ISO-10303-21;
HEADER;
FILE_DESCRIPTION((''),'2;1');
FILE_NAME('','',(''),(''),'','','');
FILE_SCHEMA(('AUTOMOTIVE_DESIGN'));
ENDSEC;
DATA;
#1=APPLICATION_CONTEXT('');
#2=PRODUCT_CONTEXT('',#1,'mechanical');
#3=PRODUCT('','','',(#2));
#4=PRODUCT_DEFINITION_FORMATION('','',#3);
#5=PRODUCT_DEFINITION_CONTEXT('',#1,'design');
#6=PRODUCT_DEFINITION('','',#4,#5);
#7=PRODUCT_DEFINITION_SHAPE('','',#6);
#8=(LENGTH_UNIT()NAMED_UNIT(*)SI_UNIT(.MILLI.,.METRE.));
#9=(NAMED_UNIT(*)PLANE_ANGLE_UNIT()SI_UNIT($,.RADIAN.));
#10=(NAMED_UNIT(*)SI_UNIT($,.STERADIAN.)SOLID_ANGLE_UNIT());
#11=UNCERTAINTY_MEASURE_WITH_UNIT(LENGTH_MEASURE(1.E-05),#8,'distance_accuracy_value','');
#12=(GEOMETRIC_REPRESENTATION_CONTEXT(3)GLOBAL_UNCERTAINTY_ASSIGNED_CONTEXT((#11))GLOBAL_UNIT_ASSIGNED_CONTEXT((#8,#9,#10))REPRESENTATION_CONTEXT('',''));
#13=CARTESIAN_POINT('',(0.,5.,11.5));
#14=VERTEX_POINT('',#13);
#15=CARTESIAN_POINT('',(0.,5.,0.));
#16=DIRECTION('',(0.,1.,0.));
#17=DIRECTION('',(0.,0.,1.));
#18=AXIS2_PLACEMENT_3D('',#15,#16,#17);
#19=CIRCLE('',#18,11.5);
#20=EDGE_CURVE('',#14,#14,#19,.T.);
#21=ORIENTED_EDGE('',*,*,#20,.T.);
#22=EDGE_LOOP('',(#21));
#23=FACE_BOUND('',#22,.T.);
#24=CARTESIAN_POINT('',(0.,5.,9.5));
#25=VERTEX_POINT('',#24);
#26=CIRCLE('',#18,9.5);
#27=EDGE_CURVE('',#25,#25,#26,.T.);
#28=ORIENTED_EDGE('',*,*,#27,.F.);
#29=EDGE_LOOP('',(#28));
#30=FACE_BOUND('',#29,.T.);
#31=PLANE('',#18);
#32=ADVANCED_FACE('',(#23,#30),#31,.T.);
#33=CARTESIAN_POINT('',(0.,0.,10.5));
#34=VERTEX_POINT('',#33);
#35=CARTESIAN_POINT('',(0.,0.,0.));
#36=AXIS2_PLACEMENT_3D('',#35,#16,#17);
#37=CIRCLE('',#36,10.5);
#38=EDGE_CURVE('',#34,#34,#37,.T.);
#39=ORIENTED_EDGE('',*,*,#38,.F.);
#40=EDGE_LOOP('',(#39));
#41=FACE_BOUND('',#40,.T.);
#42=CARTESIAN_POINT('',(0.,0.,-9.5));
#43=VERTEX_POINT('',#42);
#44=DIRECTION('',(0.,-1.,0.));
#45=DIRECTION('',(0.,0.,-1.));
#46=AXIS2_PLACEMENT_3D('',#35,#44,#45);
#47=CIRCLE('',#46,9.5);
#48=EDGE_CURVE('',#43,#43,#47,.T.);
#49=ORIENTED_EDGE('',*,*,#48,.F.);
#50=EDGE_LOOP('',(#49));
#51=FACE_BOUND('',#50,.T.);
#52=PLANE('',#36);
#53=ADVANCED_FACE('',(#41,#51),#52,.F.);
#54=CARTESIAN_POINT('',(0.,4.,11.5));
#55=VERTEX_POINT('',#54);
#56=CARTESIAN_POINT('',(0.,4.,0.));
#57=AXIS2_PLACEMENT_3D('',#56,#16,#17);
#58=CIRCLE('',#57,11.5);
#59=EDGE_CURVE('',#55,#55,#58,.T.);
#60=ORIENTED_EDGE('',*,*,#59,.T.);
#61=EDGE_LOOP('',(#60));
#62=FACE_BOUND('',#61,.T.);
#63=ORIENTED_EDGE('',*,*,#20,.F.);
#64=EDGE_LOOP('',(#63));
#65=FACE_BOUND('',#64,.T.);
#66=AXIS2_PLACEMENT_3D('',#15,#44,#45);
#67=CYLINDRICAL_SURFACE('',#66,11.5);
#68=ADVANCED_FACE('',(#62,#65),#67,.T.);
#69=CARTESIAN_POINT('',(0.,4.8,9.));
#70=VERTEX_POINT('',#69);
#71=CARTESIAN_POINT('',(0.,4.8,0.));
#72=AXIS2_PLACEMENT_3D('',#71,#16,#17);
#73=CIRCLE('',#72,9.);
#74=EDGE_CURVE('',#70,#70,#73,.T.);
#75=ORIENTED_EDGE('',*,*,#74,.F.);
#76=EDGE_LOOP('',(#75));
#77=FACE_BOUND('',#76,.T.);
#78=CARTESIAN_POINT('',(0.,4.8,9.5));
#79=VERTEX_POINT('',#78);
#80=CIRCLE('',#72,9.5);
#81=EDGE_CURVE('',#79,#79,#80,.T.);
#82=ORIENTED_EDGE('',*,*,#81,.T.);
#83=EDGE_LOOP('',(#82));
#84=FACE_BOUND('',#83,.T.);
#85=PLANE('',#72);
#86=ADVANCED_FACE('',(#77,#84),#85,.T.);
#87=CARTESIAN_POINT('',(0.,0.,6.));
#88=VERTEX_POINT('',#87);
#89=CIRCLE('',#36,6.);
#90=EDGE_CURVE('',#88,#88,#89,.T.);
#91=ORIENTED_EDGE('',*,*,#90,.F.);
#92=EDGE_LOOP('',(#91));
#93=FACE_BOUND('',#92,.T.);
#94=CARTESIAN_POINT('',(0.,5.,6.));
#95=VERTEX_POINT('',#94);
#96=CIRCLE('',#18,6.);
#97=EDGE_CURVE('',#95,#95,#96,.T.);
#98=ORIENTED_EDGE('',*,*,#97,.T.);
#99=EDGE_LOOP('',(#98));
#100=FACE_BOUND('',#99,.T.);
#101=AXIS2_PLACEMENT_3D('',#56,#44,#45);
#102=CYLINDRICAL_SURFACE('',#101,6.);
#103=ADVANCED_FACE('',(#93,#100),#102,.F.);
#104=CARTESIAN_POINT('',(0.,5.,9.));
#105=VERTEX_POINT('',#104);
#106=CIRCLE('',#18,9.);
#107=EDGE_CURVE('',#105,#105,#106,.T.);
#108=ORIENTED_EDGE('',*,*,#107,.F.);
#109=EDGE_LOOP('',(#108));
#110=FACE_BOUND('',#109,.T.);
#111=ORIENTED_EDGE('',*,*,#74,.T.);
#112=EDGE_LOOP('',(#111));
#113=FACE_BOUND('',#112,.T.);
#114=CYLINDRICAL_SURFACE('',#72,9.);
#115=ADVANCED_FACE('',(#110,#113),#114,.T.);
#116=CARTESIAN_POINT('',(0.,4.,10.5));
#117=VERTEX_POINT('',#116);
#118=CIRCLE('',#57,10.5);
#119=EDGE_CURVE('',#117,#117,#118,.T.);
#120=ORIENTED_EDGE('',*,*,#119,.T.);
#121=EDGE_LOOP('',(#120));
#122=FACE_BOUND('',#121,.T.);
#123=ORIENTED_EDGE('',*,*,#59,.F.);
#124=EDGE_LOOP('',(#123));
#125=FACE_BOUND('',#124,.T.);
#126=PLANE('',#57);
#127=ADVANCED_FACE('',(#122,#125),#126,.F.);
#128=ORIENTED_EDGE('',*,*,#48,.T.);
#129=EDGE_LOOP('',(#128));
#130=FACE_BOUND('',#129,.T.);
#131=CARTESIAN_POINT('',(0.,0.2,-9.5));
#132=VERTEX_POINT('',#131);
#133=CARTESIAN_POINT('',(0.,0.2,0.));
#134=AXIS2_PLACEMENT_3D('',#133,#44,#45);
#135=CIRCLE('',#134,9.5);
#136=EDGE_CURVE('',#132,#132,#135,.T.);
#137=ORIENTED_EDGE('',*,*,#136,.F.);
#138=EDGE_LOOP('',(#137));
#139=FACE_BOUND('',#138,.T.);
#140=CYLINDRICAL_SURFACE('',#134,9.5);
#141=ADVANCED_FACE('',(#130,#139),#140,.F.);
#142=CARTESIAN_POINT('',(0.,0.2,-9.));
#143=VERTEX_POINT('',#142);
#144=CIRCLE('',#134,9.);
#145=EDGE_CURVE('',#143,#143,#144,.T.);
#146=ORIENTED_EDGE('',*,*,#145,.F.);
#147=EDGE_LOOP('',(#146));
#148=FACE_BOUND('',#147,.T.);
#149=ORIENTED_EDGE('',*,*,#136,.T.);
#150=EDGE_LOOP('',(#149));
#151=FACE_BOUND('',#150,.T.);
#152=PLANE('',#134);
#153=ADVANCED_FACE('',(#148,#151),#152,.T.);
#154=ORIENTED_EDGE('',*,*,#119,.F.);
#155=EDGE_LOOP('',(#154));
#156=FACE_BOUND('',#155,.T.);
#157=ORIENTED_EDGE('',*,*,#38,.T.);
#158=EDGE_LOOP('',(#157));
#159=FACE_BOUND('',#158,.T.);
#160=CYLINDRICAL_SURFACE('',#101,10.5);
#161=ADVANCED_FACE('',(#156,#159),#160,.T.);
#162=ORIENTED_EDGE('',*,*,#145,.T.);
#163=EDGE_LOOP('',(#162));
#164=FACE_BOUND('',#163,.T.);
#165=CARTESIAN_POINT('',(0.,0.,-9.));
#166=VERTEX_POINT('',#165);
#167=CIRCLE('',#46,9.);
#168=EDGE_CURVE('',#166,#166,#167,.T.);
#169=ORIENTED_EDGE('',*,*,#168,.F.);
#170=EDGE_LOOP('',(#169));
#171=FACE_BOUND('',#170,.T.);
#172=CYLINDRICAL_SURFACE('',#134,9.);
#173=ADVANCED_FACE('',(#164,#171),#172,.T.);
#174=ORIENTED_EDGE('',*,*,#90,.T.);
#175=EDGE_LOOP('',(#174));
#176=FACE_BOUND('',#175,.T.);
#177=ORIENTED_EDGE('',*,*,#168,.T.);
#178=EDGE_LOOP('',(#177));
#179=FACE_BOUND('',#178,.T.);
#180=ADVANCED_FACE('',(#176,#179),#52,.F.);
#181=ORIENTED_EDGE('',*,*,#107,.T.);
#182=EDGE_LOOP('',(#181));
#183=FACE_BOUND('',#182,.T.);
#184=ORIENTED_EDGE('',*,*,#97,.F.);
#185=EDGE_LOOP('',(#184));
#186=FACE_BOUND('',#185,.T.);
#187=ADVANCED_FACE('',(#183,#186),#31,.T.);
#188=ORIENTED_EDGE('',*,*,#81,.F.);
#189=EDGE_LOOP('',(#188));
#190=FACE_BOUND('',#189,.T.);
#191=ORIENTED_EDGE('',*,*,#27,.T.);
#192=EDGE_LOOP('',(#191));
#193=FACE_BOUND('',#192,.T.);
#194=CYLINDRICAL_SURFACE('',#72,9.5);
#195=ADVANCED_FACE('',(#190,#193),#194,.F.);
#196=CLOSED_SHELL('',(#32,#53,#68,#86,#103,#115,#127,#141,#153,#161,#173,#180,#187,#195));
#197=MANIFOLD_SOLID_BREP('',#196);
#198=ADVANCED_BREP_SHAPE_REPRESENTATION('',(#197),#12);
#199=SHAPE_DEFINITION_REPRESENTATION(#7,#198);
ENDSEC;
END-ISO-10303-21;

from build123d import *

# Parameters (mm, degrees)
SKETCH_1_R          = 10.5
SKETCH_1_R_2        = 6
EXTRUDE_1_DEPTH     = 4
SKETCH_2_R          = 11.5
SKETCH_2_R_2        = 6
EXTRUDE_2_DEPTH     = 1
SKETCH_3_R          = 9.5
SKETCH_3_R_2        = 9
CUT_EXTRUDE_1_DEPTH = 0.2
CUT_EXTRUDE_START   = -0.2
SKETCH_4_R          = 9.5
SKETCH_4_R_2        = 9
CUT_EXTRUDE_2_DEPTH = 0.2


with BuildPart() as part:
    # 草图1 → 凸台-拉伸1 (new body)
    with BuildSketch(Plane(origin=(0, 0, 0), x_dir=(1, 0, 0), z_dir=(0, 1, 0))):
        with Locations(Location((0, 0, 0), (0, 0, 270))):
            Circle(SKETCH_1_R)
        with Locations(Location((0, 0, 0), (0, 0, 270))):
            Circle(SKETCH_1_R_2, mode=Mode.SUBTRACT)
    extrude(amount=EXTRUDE_1_DEPTH)

    # 草图2 → 凸台-拉伸2 (add)
    with BuildSketch(Plane(origin=(0, 4, 0), x_dir=(1, 0, 0), z_dir=(0, 1, 0))):
        with Locations(Location((0, 0, 0), (0, 0, 270))):
            Circle(SKETCH_2_R)
        with Locations(Location((0, 0, 0), (0, 0, 270))):
            Circle(SKETCH_2_R_2, mode=Mode.SUBTRACT)
    extrude(amount=EXTRUDE_2_DEPTH)

    # 草图3 → 切除-拉伸1 (cut)
    with BuildSketch(Plane.XZ):
        with Locations(Location((0, 0, 0), (0, 0, 270))):
            Circle(SKETCH_3_R)
        with Locations(Location((0, 0, 0), (0, 0, 270))):
            Circle(SKETCH_3_R_2, mode=Mode.SUBTRACT)
    extrude(amount=-CUT_EXTRUDE_1_DEPTH, mode=Mode.SUBTRACT)

    # 草图4 → 切除-拉伸2 (cut)
    with BuildSketch(Plane(origin=(0, 5, 0), x_dir=(1, 0, 0), z_dir=(0, 1, 0)).offset(CUT_EXTRUDE_START)):
        with Locations(Location((0, 0, 0), (0, 0, 90))):
            Circle(SKETCH_4_R)
        with Locations(Location((0, 0, 0), (0, 0, 90))):
            Circle(SKETCH_4_R_2, mode=Mode.SUBTRACT)
    extrude(amount=CUT_EXTRUDE_2_DEPTH, mode=Mode.SUBTRACT)


solid = part.part
